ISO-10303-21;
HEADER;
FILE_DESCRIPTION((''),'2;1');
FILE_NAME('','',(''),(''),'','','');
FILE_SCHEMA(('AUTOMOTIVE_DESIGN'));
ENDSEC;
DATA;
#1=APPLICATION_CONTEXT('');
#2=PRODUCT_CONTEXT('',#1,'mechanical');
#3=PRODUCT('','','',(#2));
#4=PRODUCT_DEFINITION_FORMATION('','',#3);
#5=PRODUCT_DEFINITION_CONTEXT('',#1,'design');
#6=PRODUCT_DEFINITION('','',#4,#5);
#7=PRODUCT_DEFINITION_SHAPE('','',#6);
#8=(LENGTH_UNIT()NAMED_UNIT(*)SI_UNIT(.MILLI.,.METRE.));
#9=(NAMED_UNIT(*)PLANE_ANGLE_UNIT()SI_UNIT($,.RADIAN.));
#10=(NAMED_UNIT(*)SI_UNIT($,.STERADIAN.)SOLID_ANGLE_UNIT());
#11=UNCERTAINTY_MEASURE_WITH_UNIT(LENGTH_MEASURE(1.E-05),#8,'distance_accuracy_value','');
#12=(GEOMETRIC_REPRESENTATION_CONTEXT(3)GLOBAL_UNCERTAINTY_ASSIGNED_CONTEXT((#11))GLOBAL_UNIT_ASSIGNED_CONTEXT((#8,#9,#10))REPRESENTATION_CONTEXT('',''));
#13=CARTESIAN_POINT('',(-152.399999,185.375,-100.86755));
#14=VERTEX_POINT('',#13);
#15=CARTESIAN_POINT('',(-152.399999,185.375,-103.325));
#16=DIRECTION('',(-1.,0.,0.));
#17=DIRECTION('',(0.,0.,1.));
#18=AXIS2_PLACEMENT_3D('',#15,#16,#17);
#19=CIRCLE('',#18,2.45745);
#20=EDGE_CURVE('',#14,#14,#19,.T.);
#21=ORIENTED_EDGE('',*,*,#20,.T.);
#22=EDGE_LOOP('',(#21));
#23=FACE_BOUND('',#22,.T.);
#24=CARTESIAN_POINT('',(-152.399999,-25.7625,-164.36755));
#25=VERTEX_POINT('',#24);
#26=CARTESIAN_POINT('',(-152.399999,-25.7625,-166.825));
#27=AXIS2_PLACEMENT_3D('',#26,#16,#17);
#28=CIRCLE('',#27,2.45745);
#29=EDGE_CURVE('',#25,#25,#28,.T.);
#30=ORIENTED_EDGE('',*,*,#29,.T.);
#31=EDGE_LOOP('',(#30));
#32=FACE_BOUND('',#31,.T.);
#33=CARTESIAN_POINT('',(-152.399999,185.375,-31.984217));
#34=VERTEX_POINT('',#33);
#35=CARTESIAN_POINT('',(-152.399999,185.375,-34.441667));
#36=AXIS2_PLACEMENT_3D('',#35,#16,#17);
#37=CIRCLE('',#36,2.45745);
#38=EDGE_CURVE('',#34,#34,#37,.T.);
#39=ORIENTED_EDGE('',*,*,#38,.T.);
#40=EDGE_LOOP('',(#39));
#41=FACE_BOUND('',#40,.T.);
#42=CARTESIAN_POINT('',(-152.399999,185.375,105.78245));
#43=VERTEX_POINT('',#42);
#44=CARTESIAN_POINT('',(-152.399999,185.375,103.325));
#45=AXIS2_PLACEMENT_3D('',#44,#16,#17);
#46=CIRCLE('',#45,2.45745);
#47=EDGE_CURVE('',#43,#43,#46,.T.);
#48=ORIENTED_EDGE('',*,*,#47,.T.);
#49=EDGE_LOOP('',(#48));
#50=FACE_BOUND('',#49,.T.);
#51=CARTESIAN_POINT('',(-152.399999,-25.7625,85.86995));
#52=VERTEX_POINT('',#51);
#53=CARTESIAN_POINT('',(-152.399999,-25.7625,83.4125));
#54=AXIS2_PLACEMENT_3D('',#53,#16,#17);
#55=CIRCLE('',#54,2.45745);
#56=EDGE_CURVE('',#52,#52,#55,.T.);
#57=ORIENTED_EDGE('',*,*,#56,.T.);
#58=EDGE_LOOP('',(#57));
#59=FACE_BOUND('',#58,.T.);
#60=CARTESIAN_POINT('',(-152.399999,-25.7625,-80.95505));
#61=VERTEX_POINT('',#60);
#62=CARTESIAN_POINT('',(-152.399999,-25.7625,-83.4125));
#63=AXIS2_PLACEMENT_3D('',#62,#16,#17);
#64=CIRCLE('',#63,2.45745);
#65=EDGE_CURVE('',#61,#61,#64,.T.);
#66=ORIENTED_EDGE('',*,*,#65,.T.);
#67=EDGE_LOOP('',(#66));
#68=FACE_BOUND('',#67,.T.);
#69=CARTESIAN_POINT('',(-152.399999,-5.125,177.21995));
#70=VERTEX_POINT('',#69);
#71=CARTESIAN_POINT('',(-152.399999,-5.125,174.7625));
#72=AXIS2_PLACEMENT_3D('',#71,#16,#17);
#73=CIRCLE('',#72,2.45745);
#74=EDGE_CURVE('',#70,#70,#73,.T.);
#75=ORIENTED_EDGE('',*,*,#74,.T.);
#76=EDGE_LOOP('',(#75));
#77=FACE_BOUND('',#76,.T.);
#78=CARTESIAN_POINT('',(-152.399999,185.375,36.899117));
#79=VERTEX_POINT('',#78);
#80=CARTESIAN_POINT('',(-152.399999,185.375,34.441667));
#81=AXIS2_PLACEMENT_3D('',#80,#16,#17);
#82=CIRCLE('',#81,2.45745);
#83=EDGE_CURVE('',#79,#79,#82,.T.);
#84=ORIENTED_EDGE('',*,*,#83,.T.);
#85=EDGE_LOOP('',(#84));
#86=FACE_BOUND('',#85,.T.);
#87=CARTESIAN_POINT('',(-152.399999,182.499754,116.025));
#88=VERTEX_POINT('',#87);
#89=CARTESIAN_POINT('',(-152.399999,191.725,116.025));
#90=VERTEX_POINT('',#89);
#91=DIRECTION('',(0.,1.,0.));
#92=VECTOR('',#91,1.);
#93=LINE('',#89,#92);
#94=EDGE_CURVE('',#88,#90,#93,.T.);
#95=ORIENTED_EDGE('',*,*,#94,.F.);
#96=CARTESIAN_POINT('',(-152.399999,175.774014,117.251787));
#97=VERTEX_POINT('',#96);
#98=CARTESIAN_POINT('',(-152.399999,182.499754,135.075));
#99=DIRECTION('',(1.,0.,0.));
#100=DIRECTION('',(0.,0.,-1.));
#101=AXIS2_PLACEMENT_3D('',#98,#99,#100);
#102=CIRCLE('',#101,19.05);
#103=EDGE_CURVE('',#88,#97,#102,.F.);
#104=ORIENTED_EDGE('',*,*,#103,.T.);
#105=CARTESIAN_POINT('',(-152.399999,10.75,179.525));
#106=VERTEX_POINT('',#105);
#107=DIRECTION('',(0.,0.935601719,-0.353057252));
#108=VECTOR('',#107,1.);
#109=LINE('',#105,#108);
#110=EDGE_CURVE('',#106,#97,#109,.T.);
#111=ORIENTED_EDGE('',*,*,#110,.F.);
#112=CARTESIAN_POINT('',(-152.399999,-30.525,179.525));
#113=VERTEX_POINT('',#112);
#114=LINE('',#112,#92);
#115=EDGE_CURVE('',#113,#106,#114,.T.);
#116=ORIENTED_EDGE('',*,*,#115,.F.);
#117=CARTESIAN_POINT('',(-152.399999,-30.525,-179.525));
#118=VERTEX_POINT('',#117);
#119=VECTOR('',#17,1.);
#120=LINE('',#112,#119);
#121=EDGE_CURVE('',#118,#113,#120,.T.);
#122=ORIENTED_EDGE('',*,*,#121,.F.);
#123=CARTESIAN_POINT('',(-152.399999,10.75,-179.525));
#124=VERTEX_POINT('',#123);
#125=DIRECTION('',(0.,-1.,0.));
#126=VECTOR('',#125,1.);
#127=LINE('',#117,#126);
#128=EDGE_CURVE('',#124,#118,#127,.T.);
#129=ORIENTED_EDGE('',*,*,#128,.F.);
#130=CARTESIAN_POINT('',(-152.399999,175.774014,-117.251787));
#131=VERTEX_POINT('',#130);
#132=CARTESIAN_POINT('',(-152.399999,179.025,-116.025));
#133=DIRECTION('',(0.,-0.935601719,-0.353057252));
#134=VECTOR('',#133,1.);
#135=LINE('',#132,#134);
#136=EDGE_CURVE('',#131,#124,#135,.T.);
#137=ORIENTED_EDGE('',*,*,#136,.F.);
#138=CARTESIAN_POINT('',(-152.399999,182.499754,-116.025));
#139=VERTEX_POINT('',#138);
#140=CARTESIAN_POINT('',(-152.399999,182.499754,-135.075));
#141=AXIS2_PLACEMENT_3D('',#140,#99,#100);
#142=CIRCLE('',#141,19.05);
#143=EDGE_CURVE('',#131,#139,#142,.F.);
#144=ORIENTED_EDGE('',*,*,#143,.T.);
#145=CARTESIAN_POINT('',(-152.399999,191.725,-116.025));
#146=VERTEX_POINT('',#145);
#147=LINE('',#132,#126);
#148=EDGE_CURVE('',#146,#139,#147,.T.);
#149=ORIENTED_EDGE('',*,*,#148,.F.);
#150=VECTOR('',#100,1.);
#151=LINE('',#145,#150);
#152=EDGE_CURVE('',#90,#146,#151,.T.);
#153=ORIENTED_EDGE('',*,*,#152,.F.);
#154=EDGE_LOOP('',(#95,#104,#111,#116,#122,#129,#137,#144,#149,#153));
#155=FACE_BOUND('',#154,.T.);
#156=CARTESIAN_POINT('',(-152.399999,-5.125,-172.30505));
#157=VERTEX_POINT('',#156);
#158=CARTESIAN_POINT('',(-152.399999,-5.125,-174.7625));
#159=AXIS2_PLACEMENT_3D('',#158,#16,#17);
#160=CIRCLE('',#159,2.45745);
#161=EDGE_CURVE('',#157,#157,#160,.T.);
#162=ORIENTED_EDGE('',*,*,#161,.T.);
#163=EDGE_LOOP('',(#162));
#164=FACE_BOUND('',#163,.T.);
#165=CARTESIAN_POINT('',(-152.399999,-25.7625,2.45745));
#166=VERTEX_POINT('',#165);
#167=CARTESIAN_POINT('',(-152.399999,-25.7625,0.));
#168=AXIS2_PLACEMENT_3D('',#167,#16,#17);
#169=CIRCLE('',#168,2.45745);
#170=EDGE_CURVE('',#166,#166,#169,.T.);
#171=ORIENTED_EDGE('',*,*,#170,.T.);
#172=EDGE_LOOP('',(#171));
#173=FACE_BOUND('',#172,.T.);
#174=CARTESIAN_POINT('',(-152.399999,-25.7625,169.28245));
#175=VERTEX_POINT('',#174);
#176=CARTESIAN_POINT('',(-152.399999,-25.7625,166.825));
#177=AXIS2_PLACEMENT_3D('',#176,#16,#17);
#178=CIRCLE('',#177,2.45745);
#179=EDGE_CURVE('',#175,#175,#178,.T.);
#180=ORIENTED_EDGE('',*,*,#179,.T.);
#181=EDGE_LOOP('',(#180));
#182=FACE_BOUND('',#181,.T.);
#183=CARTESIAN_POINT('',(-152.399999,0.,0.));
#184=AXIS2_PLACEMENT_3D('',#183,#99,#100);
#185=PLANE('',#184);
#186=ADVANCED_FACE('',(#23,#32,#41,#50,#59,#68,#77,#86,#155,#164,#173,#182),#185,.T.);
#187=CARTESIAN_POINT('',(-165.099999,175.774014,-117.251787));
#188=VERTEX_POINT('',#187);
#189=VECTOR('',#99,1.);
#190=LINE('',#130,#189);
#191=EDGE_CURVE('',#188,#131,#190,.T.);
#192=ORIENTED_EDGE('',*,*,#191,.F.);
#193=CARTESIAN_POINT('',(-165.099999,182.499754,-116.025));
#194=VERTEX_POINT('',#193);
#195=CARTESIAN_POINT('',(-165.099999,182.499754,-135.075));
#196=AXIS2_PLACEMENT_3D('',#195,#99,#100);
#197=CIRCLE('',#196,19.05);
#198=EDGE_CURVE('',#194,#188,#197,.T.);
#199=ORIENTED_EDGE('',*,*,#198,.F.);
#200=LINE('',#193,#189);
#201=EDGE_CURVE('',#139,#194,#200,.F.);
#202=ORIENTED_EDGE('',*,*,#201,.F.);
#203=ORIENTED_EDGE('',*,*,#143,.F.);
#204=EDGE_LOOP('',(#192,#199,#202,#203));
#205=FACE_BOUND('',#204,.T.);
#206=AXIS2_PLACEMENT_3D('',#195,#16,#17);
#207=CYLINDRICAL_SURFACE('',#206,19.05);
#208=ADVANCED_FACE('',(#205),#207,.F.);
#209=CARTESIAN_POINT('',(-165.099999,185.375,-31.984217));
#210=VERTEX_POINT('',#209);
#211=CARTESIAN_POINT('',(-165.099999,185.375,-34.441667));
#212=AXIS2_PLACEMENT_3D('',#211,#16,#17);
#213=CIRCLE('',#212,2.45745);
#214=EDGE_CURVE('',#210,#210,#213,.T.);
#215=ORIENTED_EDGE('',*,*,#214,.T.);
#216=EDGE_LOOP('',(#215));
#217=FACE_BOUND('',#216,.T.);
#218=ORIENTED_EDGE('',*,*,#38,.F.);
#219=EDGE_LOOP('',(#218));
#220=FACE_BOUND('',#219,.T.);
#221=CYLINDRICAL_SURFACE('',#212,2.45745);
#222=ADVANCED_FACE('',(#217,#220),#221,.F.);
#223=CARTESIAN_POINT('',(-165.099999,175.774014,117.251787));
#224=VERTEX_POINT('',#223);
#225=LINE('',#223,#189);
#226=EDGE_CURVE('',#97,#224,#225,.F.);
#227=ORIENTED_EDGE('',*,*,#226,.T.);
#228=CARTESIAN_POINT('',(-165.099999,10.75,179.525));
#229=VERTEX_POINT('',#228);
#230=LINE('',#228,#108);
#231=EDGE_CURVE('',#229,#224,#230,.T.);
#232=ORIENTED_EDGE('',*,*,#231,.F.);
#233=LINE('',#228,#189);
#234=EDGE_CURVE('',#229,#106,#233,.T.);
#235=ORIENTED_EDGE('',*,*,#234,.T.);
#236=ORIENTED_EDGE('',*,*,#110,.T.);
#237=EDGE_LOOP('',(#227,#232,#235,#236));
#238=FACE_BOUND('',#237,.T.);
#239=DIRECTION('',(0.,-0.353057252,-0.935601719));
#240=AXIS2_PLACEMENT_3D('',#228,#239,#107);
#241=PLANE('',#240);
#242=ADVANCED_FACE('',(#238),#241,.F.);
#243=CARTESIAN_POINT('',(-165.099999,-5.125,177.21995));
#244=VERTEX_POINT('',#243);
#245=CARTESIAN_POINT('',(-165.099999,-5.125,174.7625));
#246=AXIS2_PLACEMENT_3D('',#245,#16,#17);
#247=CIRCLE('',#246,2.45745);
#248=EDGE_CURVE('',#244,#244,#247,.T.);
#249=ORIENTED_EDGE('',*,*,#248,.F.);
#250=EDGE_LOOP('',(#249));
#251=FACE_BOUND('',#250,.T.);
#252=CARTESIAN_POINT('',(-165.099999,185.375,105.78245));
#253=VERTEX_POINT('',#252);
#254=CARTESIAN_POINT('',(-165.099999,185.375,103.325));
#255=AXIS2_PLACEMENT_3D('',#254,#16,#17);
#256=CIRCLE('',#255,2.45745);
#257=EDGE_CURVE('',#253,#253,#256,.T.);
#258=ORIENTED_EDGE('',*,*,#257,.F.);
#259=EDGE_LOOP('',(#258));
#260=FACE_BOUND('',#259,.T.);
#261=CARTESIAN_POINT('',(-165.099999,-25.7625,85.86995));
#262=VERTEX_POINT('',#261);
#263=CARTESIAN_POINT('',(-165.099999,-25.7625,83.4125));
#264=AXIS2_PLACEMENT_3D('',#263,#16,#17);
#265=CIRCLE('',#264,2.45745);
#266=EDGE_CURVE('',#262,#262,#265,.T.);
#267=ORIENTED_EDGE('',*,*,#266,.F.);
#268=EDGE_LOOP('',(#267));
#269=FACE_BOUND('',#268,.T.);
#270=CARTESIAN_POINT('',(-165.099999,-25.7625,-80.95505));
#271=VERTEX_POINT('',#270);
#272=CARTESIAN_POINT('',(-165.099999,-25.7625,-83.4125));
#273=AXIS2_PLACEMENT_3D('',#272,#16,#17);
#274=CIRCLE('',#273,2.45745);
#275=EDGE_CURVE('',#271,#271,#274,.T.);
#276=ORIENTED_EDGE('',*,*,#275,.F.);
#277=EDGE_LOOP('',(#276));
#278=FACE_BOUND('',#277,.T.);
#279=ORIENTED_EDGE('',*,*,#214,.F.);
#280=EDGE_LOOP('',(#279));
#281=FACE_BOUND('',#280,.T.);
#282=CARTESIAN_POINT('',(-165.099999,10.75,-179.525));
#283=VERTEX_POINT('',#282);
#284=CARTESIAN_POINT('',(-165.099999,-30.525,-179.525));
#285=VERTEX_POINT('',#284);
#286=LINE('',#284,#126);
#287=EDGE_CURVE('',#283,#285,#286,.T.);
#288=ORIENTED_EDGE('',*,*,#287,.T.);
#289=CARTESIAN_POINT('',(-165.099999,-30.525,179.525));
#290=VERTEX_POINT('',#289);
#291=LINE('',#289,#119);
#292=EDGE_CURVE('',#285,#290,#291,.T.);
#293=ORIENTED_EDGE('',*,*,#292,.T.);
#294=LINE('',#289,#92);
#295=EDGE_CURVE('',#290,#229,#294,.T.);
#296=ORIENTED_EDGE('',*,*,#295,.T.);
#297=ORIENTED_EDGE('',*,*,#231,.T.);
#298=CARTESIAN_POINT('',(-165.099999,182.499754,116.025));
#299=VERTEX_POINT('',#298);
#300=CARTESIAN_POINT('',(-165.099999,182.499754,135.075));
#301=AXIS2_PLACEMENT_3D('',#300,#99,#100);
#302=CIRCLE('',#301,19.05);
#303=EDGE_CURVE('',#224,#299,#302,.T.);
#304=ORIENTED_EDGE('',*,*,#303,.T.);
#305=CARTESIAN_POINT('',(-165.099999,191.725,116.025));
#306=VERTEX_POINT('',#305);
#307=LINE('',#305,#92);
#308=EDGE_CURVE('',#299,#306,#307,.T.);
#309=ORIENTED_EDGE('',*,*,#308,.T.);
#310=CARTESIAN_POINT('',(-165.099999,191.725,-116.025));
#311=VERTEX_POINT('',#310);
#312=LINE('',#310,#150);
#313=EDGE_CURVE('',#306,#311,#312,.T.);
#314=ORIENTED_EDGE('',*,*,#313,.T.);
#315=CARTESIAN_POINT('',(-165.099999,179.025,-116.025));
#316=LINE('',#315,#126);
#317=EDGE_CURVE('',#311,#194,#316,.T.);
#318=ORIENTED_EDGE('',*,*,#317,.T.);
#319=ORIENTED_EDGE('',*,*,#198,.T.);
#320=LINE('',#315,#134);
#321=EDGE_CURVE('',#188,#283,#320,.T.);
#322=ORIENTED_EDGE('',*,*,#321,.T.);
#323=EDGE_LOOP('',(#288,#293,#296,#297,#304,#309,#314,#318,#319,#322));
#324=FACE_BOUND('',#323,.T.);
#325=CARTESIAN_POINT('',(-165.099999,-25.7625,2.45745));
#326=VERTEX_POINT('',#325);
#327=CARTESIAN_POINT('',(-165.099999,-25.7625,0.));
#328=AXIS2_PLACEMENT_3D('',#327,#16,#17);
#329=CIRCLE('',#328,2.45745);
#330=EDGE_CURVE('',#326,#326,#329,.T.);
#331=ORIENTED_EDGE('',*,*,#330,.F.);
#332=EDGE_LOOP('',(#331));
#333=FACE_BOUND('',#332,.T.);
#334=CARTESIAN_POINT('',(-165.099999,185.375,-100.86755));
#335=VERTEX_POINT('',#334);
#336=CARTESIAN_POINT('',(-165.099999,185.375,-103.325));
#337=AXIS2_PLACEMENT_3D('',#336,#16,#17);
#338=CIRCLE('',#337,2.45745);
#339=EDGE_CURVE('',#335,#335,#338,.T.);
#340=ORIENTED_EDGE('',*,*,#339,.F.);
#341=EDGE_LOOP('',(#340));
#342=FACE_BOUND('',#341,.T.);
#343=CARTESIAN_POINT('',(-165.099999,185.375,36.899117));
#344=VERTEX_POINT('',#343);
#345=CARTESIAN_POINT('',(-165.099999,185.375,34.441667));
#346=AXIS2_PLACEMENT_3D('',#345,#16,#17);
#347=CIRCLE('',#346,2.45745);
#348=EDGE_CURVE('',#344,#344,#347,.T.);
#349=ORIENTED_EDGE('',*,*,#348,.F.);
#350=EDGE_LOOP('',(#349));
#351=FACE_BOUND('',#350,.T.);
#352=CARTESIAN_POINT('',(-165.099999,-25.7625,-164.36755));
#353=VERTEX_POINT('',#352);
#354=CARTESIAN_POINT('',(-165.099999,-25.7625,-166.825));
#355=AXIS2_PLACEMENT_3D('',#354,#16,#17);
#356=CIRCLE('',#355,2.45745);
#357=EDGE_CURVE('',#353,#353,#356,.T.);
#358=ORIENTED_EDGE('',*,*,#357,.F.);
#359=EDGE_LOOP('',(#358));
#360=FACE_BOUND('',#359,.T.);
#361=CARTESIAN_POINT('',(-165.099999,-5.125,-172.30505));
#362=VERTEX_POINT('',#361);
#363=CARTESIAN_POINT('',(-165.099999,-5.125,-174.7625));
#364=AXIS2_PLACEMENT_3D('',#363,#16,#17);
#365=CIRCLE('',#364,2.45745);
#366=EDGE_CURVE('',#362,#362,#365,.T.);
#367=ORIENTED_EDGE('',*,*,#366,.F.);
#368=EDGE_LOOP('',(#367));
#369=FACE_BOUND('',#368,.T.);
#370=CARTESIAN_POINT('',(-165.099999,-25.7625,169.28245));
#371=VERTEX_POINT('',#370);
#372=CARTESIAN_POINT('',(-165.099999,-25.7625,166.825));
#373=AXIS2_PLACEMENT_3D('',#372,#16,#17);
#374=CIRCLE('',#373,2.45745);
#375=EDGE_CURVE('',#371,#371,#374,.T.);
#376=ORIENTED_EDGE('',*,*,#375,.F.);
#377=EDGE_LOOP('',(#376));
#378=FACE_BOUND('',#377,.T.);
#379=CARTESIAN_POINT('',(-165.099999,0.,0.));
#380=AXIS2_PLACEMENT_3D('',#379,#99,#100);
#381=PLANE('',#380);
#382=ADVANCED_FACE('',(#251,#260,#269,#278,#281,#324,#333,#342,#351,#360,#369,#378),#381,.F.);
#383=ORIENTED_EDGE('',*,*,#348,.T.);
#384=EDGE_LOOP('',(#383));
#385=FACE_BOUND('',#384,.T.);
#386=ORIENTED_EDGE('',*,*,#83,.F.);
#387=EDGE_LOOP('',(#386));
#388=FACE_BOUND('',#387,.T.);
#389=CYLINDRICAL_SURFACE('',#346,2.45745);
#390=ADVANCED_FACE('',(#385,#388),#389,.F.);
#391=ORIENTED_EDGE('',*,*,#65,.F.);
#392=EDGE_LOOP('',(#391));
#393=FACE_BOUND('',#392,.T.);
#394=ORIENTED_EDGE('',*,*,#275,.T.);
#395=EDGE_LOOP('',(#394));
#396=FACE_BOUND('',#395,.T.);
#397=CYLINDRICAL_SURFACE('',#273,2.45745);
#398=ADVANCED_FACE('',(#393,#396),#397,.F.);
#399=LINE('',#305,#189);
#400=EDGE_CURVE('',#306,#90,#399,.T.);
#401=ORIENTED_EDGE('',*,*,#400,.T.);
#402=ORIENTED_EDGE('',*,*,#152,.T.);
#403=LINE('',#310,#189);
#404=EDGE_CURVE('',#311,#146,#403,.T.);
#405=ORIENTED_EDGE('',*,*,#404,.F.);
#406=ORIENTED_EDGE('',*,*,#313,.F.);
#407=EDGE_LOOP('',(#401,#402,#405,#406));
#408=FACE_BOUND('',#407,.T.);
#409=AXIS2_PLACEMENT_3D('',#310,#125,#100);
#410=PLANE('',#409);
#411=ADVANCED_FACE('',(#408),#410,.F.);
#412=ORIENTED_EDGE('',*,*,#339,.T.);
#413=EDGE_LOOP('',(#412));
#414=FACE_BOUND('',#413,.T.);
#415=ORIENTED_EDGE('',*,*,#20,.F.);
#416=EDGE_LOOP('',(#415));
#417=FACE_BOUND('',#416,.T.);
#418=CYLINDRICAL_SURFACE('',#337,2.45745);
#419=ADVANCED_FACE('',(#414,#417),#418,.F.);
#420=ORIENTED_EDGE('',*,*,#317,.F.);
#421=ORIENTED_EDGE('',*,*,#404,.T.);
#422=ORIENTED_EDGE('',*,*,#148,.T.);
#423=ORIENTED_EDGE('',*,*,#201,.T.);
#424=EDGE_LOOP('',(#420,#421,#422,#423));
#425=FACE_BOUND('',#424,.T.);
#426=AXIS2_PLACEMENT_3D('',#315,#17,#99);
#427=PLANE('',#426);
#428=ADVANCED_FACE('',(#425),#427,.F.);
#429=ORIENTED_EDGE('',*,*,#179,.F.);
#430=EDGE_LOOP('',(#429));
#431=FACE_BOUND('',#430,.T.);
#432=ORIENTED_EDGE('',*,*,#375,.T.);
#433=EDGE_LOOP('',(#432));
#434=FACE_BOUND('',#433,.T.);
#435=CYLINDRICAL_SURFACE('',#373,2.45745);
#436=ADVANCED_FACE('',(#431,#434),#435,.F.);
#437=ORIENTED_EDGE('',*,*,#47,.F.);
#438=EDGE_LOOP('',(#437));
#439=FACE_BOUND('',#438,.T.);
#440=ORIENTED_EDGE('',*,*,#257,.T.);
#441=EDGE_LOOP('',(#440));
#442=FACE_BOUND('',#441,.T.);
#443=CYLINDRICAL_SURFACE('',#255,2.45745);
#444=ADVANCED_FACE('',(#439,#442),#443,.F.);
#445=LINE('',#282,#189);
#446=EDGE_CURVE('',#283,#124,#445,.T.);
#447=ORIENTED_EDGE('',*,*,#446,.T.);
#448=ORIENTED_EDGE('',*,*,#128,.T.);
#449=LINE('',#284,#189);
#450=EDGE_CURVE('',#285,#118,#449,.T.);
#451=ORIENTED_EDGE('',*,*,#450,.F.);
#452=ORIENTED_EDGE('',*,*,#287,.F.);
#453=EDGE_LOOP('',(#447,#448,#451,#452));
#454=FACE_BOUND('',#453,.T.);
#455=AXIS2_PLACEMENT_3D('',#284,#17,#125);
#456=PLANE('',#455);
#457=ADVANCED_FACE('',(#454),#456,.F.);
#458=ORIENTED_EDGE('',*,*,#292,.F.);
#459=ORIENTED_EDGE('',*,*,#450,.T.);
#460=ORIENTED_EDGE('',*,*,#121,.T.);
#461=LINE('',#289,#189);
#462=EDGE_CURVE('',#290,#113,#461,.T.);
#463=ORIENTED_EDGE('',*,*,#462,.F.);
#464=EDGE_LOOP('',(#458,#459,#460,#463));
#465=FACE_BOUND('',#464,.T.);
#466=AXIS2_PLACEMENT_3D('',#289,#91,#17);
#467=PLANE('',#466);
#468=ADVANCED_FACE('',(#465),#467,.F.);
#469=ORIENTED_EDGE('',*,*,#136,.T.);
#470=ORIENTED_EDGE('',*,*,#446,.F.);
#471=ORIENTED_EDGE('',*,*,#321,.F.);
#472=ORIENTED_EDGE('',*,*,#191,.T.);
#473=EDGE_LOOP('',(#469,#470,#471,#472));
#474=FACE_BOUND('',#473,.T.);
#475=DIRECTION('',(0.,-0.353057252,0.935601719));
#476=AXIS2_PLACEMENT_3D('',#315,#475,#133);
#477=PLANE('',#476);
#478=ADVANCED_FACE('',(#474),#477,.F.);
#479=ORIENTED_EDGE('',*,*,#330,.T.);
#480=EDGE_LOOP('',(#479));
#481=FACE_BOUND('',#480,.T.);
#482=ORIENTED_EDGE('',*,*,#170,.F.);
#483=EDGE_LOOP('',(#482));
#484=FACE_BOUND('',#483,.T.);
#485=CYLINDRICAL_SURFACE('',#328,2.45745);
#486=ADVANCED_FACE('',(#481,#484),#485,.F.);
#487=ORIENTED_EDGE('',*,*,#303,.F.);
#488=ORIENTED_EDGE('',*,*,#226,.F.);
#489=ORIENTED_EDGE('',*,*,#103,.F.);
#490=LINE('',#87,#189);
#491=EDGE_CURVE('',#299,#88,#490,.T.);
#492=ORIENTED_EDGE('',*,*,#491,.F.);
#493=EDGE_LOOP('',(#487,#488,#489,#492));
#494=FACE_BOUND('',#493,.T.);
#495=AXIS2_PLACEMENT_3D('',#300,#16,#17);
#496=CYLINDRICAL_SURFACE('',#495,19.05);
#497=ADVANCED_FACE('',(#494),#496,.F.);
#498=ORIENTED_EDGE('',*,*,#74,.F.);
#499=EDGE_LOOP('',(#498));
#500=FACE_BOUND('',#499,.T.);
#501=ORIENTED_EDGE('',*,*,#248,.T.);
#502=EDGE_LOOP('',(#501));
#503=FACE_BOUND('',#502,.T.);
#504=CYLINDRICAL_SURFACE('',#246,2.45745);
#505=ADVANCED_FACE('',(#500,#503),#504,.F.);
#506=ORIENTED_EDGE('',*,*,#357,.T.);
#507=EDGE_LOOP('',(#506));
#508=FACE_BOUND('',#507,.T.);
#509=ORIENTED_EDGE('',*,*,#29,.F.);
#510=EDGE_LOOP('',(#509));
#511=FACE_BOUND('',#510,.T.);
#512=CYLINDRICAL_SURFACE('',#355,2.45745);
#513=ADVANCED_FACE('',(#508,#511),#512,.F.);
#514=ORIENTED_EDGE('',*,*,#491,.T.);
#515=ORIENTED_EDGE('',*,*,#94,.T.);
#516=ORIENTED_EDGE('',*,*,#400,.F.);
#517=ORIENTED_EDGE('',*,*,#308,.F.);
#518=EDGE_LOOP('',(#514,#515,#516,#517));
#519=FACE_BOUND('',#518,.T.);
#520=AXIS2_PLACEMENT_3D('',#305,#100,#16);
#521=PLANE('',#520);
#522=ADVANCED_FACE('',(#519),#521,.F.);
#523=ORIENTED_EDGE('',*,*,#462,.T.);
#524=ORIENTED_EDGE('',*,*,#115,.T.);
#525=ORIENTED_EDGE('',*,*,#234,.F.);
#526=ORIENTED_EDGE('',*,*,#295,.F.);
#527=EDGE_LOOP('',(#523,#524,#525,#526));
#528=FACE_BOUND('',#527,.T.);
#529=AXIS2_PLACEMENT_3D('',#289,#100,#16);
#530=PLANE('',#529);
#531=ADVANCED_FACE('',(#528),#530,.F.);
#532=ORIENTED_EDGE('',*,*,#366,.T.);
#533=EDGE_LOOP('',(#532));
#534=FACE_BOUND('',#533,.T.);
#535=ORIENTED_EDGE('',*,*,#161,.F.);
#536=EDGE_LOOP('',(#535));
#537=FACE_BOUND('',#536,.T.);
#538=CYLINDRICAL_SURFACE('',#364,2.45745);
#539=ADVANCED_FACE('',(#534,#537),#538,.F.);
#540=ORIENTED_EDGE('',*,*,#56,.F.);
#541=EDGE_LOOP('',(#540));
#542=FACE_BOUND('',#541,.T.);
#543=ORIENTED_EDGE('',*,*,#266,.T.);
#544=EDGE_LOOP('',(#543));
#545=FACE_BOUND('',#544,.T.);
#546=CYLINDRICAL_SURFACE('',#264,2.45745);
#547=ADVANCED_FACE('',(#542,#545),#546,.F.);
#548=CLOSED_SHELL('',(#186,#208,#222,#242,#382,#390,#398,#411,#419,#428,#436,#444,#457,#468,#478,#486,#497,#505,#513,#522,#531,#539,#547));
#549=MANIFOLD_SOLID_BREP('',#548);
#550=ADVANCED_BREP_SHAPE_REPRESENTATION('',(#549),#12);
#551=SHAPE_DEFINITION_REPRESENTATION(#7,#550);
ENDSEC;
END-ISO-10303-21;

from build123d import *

# Parameters (mm, degrees)
BOSS_EXTRUDE1_DEPTH          = 12.7
FILLET1_R                    = 19.05
F_10_0_1935_DIAMETER_HOLE1_D = 4.9149


with BuildPart() as part:
    # Sketch1 → Boss-Extrude1 (new body)
    with BuildSketch(Plane.ZY.offset(152.399999331)):
        Polygon((179.525, -30.525), (179.525, 10.75), (116.025, 179.025), (116.025, 191.725), (-116.025, 191.725), (-116.025, 179.025), (-179.525, 10.75), (-179.525, -30.525), align=None)
    extrude(amount=BOSS_EXTRUDE1_DEPTH)

    # Fillet1
    fillet1_edges = [part.edges().sort_by_distance(p)[0] for p in [
        (-158.749999331, 179.025, -116.025),
        (-158.749999331, 179.025, 116.025),
    ]]
    fillet(fillet1_edges, radius=FILLET1_R)

    # #10 (0.1935) Diameter Hole1 (through all)
    with Locations(Plane.ZY.offset(165.099999331)):
        with Locations((-103.325, 185.375), (-34.441666667, 185.375), (34.441666667, 185.375), (103.325, 185.375), (174.7625, -5.125), (-174.7625, -5.125), (-166.825, -25.7625), (166.825, -25.7625), (0, -25.7625), (83.4125, -25.7625), (-83.4125, -25.7625)):
            Hole(F_10_0_1935_DIAMETER_HOLE1_D / 2)


solid = part.part
